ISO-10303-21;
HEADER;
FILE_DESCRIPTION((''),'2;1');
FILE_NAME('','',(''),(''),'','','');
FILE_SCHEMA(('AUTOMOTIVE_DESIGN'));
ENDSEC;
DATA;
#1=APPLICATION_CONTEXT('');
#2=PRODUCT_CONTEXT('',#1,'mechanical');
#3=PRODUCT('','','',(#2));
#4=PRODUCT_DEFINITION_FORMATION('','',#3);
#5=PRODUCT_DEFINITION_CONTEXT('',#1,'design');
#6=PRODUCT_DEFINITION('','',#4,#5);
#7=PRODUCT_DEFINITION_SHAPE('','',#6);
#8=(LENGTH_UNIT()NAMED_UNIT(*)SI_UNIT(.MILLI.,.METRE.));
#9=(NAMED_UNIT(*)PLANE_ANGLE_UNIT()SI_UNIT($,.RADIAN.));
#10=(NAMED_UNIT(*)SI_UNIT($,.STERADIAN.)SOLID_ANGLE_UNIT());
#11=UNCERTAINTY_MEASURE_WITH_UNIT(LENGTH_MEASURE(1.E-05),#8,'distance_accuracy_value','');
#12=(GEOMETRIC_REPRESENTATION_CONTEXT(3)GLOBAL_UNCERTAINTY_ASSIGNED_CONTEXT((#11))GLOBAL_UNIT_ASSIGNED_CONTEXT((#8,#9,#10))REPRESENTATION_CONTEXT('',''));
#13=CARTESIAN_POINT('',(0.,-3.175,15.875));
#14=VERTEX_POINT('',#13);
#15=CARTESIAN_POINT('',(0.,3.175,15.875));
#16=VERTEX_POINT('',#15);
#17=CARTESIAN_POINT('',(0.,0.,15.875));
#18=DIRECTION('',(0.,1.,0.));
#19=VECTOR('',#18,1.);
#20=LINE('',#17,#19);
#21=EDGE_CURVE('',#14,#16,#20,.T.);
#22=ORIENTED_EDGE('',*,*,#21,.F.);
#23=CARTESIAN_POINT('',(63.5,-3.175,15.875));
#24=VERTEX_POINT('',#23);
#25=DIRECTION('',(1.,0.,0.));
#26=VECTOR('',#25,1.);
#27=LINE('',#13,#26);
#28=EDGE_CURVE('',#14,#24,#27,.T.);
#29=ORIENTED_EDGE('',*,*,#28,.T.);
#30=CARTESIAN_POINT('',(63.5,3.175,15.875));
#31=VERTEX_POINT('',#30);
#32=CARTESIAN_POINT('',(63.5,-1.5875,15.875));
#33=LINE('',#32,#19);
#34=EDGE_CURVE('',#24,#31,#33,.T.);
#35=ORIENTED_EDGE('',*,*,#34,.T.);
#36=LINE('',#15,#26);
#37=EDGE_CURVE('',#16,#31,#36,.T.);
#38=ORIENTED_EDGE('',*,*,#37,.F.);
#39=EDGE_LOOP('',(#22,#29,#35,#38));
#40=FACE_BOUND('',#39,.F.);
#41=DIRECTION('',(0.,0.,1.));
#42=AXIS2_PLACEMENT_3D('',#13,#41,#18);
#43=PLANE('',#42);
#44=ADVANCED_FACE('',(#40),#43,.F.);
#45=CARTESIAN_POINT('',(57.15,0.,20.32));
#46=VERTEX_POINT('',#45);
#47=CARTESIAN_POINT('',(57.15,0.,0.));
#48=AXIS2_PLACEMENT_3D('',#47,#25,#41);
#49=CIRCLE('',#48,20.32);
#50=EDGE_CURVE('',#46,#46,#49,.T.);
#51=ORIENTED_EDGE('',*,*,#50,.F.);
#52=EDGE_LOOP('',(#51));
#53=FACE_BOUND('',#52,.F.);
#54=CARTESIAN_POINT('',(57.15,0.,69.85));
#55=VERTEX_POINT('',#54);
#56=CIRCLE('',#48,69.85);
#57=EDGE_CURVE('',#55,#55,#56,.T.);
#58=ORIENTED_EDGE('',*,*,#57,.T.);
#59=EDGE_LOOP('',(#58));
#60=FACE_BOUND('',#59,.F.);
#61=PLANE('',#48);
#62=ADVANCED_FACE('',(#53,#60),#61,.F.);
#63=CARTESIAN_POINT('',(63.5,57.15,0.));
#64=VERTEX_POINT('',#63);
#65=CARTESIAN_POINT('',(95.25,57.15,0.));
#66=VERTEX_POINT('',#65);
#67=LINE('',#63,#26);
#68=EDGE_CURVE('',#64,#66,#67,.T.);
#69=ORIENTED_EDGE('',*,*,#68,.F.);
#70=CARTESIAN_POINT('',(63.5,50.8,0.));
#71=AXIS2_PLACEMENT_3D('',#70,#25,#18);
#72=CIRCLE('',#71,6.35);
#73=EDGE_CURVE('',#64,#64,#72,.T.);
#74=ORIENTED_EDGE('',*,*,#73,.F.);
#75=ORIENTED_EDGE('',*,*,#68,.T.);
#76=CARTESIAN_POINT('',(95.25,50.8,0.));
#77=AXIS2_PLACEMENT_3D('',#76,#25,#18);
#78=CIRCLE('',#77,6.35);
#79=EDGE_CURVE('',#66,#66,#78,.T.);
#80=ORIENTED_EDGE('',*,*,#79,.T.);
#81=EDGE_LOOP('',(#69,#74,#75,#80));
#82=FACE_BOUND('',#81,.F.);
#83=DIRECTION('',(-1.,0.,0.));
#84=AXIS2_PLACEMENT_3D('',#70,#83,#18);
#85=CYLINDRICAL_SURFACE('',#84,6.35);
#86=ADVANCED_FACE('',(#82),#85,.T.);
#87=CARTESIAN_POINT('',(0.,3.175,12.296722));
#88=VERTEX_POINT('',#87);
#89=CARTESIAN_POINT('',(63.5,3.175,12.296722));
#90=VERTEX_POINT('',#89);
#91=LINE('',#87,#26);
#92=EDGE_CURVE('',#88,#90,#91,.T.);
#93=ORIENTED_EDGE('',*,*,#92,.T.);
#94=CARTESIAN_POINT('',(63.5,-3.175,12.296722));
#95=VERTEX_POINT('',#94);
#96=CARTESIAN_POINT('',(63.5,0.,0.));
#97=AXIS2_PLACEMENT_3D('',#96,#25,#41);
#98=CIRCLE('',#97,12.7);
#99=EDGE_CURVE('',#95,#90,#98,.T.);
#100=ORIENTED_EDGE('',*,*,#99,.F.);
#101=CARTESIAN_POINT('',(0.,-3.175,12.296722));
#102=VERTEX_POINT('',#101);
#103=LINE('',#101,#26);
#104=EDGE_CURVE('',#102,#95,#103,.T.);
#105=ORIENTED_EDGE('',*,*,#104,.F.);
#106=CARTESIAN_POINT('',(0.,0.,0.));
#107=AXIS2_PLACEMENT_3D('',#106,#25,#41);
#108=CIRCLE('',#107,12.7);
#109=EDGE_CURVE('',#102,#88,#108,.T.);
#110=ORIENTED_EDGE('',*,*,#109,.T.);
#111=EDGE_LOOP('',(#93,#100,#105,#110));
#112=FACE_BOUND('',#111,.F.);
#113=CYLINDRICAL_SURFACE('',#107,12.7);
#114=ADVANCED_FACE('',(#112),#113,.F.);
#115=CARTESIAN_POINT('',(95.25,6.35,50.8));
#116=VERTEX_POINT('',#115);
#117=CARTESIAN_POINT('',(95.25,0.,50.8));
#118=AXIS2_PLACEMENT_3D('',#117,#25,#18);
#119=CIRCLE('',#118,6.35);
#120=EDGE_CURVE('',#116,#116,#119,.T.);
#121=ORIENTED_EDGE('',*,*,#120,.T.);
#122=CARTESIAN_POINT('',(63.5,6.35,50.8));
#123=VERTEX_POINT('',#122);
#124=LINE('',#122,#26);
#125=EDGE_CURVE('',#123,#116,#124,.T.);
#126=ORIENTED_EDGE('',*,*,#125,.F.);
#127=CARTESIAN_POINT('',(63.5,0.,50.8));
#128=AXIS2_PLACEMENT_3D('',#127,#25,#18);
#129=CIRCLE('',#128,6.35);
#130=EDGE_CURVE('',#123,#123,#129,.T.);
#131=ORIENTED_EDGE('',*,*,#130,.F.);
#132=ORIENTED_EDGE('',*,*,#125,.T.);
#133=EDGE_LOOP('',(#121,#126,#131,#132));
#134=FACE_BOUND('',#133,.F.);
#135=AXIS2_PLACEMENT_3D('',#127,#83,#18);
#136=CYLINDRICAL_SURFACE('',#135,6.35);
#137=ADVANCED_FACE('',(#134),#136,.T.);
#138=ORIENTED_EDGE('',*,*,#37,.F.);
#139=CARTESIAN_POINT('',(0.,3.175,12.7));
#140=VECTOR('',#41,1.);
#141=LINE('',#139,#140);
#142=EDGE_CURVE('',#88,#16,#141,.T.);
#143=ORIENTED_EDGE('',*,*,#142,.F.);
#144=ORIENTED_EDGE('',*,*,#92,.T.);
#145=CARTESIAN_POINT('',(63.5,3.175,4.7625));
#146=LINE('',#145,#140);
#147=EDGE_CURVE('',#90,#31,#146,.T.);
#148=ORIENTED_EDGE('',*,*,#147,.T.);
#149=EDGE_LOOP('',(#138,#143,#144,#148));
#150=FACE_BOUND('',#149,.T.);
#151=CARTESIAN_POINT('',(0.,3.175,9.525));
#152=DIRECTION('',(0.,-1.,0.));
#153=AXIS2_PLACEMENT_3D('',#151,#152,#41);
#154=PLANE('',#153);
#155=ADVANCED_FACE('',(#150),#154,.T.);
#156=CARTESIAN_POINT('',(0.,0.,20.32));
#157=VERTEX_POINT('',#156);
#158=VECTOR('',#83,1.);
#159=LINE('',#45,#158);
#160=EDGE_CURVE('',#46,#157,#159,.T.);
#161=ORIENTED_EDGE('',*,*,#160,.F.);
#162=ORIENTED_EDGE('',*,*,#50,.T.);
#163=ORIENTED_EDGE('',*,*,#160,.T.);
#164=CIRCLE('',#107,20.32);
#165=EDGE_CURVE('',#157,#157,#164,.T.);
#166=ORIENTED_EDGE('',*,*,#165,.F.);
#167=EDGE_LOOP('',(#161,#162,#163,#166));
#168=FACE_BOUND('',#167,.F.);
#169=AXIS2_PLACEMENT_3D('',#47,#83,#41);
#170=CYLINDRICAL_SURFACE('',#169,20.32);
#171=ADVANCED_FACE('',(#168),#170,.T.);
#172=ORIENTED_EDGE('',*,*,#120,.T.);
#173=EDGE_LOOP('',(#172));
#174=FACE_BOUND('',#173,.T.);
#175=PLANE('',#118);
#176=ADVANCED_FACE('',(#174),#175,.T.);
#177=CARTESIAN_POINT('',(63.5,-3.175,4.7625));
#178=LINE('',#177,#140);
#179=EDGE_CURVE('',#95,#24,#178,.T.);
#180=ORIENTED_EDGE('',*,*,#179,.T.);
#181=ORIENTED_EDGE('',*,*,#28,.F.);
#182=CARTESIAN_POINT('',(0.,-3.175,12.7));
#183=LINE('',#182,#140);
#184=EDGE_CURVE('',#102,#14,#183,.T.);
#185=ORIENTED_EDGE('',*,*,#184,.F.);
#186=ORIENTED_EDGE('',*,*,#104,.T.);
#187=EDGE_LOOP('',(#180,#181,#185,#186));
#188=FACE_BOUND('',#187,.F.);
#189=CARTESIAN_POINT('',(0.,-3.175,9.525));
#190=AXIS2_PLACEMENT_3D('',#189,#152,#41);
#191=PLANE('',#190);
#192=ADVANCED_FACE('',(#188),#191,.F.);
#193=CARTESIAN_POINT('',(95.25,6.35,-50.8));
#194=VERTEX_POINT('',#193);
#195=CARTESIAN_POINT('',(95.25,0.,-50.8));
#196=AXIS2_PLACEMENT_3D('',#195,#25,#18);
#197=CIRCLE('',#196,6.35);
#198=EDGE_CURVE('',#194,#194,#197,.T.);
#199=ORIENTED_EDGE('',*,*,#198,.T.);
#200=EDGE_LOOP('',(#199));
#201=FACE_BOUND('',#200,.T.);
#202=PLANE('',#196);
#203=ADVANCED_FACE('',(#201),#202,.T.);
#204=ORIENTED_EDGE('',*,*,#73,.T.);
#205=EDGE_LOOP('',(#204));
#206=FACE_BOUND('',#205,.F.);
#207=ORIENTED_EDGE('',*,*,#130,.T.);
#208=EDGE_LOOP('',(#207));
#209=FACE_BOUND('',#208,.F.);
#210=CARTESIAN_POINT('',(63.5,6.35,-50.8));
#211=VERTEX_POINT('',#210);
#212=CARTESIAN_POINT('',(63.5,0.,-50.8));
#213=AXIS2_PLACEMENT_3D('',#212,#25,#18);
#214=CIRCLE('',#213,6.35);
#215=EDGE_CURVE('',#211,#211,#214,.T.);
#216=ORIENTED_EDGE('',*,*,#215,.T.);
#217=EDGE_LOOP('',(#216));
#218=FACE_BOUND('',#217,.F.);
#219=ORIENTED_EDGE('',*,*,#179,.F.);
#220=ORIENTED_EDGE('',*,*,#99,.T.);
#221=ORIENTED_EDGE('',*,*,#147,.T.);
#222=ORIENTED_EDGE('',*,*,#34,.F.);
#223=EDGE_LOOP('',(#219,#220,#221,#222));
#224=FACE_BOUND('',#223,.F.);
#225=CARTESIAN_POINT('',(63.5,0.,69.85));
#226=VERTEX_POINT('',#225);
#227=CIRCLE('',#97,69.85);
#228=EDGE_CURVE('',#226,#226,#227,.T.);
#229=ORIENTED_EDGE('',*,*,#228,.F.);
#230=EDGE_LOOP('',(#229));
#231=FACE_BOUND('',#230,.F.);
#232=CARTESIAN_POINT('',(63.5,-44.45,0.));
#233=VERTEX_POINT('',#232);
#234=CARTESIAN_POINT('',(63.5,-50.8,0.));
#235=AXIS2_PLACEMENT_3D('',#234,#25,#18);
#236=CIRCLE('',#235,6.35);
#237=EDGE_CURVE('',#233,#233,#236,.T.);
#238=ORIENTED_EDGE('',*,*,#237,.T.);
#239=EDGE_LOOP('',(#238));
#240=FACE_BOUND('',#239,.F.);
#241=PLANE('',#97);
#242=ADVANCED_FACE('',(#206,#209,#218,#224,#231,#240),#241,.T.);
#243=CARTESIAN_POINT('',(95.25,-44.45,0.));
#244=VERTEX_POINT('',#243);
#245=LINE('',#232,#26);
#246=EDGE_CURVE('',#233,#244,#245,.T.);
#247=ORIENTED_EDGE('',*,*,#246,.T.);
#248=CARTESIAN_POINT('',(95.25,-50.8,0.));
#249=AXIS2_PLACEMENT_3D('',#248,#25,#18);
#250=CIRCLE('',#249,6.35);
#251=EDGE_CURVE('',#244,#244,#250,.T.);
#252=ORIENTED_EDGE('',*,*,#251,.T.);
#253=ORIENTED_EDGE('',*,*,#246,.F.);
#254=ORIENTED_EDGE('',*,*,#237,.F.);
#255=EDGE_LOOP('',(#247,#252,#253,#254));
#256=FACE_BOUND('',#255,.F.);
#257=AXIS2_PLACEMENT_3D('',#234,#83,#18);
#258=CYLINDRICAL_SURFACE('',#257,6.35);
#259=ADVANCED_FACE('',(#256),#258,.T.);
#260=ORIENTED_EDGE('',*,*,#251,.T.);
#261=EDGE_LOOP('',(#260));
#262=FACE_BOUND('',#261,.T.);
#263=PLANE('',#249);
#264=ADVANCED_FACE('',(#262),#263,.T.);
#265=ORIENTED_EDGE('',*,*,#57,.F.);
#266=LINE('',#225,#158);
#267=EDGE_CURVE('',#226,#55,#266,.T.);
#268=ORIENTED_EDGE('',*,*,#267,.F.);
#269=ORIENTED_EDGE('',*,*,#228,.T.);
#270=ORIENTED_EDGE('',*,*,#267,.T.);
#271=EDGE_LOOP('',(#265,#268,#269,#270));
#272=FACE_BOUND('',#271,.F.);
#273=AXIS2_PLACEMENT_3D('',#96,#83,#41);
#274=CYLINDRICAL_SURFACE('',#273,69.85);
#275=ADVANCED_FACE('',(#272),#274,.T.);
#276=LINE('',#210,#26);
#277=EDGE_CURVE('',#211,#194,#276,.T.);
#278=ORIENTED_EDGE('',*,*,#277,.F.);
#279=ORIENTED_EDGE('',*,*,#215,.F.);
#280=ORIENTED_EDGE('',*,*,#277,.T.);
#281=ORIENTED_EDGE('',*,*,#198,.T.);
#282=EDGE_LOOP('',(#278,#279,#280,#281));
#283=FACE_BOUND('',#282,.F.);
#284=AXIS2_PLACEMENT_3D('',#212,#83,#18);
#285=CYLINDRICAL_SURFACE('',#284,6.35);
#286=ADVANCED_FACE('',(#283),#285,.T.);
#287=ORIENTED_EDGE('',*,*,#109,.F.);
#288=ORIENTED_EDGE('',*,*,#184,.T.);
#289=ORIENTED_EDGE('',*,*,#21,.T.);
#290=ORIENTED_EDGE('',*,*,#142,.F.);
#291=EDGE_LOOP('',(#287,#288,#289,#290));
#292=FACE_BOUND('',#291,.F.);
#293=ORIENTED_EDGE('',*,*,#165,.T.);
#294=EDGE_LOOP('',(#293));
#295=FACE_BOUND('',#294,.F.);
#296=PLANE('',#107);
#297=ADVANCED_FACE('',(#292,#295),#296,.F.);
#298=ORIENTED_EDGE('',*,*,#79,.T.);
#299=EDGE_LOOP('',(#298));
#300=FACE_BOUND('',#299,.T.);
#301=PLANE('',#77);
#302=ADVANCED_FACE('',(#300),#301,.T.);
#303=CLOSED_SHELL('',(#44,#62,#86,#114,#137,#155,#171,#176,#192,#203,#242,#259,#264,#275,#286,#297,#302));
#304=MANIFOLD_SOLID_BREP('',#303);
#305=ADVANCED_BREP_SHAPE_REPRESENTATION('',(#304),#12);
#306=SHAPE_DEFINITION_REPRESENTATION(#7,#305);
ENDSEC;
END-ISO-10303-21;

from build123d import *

# Parameters (mm, degrees)
F2_W     = 6.35
F2_H     = 6.35
F3_DEPTH = 63.501
F4_R     = 6.35
F5_DEPTH = 31.75


with BuildPart() as f1:
    # F0 (on Front) → F1 (revolve)
    with BuildSketch(Plane.XZ):
        Polygon((0, 20.32), (0, 12.7), (63.5, 12.7), (63.5, 69.85), (57.15, 69.85), (57.15, 20.32), align=None)
    revolve(axis=Axis((31.75, 0, 0), (1, 0, 0)))

    # F2 (on Right) → F3 (cut, through all)
    with BuildSketch(Plane.YZ):
        with Locations((0, 12.7)):
            Rectangle(F2_W, F2_H)
    extrude(amount=F3_DEPTH, mode=Mode.SUBTRACT)

    # F4 (on face) → F5 (join)
    with BuildSketch(Plane.YZ.offset(63.5)):
        with Locations((0, 50.8)):
            Circle(F4_R)
        with Locations((-50.8, 0)):
            Circle(F4_R)
        with Locations((0, -50.8)):
            Circle(F4_R)
        with Locations((50.8, 0)):
            Circle(F4_R)
    extrude(amount=F5_DEPTH)


solid = f1.part
